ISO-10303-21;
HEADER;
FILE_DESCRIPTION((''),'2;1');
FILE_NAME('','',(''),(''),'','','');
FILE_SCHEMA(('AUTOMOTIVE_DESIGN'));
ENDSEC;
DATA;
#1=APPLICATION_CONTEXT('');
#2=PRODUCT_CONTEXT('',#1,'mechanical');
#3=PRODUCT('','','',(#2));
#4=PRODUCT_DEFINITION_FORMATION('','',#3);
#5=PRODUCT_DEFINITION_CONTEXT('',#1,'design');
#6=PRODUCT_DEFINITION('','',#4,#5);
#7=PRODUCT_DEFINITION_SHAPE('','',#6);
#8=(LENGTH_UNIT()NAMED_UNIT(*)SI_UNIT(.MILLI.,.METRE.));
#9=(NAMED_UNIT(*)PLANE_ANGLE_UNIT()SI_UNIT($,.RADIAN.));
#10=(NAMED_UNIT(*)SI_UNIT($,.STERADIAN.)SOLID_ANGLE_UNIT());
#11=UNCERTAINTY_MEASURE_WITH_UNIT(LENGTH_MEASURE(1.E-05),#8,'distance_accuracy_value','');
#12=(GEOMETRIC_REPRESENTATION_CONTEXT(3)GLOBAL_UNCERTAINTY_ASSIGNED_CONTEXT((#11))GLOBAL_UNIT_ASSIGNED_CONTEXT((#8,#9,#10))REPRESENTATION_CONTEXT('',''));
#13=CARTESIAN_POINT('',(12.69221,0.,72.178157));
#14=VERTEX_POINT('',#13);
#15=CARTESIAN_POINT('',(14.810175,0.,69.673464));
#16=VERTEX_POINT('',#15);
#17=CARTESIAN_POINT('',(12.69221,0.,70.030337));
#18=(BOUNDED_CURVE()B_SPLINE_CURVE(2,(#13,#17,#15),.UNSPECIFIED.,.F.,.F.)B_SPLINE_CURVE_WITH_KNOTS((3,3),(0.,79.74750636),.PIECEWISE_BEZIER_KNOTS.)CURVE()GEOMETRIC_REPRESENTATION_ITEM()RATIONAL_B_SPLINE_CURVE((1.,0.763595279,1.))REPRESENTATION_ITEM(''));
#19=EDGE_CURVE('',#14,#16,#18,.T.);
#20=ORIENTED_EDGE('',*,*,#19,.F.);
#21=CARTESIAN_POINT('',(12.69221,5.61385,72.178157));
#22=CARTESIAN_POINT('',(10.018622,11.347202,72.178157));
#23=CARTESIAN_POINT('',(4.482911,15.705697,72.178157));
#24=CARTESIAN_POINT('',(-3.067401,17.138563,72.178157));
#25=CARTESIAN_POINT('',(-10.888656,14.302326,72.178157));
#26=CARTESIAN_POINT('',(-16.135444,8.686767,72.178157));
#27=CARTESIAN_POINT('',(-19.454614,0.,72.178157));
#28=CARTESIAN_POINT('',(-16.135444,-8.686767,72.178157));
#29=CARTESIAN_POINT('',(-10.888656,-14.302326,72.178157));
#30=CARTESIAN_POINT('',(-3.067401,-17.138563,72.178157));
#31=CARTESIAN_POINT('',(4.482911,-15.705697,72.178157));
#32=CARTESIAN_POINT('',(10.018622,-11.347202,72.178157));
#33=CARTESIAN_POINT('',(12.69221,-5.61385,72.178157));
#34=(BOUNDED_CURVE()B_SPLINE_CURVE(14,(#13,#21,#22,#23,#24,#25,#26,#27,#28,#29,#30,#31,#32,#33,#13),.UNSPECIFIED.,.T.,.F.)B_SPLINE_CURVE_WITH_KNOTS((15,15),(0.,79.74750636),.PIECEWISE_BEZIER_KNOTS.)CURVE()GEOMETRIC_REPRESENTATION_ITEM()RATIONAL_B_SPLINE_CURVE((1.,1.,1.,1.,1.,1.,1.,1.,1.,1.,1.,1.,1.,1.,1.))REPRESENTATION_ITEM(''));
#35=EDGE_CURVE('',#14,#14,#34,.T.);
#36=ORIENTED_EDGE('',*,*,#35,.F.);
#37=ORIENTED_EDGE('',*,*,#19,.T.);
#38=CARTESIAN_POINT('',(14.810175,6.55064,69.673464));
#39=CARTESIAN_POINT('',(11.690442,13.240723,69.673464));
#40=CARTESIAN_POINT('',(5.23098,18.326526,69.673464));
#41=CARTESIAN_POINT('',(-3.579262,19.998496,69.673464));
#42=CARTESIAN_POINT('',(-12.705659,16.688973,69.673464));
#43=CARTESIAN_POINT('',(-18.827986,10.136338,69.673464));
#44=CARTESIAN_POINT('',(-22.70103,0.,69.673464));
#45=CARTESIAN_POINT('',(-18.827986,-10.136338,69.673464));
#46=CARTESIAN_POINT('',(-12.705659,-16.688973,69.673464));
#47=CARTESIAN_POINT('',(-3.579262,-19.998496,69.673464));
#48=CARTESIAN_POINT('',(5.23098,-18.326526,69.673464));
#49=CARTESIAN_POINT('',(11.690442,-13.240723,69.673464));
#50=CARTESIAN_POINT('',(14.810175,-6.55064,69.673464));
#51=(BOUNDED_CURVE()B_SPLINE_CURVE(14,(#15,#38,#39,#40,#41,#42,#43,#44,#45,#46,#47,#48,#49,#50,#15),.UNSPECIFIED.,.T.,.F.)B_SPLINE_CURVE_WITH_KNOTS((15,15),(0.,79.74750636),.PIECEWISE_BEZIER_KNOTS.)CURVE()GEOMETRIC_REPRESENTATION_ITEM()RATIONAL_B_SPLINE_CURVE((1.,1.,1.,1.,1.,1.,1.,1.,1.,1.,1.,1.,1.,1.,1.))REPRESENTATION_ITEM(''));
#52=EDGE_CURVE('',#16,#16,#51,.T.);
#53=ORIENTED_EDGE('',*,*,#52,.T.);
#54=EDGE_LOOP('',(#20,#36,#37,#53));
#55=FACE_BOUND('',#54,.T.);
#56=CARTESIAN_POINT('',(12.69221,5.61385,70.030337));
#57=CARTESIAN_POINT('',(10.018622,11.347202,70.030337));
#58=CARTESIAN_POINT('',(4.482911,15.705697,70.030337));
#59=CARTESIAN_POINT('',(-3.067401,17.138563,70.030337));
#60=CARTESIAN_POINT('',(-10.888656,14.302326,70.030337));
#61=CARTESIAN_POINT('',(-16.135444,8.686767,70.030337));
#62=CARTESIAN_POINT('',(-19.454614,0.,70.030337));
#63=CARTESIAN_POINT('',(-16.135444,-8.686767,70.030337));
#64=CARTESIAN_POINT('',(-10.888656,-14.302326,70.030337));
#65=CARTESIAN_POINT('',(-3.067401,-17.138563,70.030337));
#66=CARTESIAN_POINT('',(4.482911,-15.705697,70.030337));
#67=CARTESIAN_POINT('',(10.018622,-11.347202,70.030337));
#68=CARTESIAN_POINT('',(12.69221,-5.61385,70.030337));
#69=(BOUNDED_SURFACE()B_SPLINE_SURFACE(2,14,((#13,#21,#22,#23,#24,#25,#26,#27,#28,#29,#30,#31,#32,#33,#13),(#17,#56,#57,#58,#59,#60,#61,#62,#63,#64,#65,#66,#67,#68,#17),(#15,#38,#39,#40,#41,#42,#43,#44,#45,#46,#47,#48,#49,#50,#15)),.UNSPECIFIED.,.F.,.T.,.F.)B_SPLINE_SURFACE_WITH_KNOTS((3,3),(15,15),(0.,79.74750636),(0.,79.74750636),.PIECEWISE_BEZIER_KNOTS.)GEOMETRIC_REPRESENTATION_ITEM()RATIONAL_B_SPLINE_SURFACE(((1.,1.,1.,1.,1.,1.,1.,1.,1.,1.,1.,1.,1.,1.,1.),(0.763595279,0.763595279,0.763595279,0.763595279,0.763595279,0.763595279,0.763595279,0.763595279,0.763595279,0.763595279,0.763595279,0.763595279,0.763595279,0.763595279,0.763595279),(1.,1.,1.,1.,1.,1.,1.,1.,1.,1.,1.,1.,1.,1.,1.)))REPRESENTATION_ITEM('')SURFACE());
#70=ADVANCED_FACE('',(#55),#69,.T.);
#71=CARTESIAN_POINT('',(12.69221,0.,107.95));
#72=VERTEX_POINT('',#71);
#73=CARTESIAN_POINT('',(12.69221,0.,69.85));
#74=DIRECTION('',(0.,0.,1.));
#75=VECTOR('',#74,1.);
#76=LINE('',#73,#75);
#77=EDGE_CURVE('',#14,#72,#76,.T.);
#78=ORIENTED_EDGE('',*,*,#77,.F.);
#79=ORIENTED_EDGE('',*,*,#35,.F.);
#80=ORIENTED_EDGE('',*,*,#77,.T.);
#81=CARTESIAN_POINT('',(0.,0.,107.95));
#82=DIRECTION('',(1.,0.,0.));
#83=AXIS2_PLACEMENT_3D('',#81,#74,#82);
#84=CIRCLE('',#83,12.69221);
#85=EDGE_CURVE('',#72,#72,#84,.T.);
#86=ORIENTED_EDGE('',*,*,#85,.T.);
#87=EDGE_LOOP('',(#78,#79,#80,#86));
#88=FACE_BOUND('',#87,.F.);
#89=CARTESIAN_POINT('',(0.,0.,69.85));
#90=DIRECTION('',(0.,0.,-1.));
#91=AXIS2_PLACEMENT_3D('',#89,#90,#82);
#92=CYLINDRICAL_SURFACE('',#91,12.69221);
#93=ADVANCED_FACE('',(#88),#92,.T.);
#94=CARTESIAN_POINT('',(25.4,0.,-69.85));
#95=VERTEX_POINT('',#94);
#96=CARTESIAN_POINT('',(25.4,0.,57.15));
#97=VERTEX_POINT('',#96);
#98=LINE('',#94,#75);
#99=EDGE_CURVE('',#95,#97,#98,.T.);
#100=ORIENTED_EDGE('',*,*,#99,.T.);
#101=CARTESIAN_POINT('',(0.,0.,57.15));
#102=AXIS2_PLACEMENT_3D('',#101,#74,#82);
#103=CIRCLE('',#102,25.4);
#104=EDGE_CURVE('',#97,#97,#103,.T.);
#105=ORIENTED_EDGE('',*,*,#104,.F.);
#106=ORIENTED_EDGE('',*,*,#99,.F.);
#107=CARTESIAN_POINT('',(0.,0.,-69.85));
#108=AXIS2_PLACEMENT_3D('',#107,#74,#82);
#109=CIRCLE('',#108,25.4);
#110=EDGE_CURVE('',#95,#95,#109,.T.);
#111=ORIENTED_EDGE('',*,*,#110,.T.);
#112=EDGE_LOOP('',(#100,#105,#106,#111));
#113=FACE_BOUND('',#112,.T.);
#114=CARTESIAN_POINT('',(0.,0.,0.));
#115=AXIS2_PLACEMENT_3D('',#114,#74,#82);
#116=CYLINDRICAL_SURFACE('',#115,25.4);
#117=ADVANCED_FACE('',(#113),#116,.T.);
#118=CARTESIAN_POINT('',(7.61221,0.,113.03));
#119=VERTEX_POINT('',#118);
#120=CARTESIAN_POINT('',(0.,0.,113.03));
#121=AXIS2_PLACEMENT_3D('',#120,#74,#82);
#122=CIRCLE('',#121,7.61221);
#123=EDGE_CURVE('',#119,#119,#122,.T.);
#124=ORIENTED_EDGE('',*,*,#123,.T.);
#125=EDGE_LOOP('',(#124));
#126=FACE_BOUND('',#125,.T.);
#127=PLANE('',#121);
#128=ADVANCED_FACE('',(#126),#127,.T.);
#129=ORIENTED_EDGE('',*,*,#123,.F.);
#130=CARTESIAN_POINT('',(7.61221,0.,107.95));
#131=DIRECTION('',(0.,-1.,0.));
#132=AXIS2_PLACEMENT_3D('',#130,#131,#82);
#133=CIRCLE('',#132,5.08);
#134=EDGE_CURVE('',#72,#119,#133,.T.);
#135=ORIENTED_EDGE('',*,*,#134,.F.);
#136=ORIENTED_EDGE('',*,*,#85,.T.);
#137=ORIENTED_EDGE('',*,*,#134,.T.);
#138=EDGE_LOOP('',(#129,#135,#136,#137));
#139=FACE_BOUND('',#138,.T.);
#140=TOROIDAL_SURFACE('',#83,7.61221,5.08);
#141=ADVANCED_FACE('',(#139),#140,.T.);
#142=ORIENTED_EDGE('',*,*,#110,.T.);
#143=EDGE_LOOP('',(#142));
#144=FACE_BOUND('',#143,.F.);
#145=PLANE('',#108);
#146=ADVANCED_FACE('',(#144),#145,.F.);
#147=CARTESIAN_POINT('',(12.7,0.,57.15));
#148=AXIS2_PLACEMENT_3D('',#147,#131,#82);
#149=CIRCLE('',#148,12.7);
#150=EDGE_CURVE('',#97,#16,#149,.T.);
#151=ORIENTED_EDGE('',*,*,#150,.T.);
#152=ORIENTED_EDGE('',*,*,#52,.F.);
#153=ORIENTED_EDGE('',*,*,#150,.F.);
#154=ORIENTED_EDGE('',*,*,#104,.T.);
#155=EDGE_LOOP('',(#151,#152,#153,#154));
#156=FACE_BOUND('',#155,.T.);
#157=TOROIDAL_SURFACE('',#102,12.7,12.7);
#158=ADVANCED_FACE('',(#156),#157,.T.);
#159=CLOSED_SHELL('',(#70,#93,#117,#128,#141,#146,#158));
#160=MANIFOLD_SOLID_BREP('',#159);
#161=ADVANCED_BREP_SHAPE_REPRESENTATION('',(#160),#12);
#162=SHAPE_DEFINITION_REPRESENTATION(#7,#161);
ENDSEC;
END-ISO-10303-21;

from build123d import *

# Parameters (mm, degrees)
F0_R     = 25.4
F1_DEPTH = 69.85
F2_R     = 12.7
F3_R     = 12.6922098365
F4_DEPTH = 43.18
F5_R     = 5.08
F6_R     = 2.54


with BuildPart() as f1:
    # F0 (on Top) → F1 (new body, symmetric)
    with BuildSketch(Plane.XY):
        Circle(F0_R)
    extrude(amount=F1_DEPTH, both=True)

    # F2
    f2_edges = [f1.edges().sort_by_distance(p)[0] for p in [
        (-25.4, 0, 69.85),
    ]]
    fillet(f2_edges, radius=F2_R)

    # F3 (on face) → F4 (join)
    with BuildSketch(Plane.XY.offset(69.85)):
        Circle(F3_R)
    extrude(amount=F4_DEPTH)

    # F5
    f5_edges = [f1.edges().sort_by_distance(p)[0] for p in [
        (-12.69221, 0, 113.03),
    ]]
    fillet(f5_edges, radius=F5_R)

    # F6
    f6_edges = [f1.edges().sort_by_distance(p)[0] for p in [
        (-12.7, 0, 69.85),
        (-12.69221, 0, 69.85),
    ]]
    fillet(f6_edges, radius=F6_R)


solid = f1.part
